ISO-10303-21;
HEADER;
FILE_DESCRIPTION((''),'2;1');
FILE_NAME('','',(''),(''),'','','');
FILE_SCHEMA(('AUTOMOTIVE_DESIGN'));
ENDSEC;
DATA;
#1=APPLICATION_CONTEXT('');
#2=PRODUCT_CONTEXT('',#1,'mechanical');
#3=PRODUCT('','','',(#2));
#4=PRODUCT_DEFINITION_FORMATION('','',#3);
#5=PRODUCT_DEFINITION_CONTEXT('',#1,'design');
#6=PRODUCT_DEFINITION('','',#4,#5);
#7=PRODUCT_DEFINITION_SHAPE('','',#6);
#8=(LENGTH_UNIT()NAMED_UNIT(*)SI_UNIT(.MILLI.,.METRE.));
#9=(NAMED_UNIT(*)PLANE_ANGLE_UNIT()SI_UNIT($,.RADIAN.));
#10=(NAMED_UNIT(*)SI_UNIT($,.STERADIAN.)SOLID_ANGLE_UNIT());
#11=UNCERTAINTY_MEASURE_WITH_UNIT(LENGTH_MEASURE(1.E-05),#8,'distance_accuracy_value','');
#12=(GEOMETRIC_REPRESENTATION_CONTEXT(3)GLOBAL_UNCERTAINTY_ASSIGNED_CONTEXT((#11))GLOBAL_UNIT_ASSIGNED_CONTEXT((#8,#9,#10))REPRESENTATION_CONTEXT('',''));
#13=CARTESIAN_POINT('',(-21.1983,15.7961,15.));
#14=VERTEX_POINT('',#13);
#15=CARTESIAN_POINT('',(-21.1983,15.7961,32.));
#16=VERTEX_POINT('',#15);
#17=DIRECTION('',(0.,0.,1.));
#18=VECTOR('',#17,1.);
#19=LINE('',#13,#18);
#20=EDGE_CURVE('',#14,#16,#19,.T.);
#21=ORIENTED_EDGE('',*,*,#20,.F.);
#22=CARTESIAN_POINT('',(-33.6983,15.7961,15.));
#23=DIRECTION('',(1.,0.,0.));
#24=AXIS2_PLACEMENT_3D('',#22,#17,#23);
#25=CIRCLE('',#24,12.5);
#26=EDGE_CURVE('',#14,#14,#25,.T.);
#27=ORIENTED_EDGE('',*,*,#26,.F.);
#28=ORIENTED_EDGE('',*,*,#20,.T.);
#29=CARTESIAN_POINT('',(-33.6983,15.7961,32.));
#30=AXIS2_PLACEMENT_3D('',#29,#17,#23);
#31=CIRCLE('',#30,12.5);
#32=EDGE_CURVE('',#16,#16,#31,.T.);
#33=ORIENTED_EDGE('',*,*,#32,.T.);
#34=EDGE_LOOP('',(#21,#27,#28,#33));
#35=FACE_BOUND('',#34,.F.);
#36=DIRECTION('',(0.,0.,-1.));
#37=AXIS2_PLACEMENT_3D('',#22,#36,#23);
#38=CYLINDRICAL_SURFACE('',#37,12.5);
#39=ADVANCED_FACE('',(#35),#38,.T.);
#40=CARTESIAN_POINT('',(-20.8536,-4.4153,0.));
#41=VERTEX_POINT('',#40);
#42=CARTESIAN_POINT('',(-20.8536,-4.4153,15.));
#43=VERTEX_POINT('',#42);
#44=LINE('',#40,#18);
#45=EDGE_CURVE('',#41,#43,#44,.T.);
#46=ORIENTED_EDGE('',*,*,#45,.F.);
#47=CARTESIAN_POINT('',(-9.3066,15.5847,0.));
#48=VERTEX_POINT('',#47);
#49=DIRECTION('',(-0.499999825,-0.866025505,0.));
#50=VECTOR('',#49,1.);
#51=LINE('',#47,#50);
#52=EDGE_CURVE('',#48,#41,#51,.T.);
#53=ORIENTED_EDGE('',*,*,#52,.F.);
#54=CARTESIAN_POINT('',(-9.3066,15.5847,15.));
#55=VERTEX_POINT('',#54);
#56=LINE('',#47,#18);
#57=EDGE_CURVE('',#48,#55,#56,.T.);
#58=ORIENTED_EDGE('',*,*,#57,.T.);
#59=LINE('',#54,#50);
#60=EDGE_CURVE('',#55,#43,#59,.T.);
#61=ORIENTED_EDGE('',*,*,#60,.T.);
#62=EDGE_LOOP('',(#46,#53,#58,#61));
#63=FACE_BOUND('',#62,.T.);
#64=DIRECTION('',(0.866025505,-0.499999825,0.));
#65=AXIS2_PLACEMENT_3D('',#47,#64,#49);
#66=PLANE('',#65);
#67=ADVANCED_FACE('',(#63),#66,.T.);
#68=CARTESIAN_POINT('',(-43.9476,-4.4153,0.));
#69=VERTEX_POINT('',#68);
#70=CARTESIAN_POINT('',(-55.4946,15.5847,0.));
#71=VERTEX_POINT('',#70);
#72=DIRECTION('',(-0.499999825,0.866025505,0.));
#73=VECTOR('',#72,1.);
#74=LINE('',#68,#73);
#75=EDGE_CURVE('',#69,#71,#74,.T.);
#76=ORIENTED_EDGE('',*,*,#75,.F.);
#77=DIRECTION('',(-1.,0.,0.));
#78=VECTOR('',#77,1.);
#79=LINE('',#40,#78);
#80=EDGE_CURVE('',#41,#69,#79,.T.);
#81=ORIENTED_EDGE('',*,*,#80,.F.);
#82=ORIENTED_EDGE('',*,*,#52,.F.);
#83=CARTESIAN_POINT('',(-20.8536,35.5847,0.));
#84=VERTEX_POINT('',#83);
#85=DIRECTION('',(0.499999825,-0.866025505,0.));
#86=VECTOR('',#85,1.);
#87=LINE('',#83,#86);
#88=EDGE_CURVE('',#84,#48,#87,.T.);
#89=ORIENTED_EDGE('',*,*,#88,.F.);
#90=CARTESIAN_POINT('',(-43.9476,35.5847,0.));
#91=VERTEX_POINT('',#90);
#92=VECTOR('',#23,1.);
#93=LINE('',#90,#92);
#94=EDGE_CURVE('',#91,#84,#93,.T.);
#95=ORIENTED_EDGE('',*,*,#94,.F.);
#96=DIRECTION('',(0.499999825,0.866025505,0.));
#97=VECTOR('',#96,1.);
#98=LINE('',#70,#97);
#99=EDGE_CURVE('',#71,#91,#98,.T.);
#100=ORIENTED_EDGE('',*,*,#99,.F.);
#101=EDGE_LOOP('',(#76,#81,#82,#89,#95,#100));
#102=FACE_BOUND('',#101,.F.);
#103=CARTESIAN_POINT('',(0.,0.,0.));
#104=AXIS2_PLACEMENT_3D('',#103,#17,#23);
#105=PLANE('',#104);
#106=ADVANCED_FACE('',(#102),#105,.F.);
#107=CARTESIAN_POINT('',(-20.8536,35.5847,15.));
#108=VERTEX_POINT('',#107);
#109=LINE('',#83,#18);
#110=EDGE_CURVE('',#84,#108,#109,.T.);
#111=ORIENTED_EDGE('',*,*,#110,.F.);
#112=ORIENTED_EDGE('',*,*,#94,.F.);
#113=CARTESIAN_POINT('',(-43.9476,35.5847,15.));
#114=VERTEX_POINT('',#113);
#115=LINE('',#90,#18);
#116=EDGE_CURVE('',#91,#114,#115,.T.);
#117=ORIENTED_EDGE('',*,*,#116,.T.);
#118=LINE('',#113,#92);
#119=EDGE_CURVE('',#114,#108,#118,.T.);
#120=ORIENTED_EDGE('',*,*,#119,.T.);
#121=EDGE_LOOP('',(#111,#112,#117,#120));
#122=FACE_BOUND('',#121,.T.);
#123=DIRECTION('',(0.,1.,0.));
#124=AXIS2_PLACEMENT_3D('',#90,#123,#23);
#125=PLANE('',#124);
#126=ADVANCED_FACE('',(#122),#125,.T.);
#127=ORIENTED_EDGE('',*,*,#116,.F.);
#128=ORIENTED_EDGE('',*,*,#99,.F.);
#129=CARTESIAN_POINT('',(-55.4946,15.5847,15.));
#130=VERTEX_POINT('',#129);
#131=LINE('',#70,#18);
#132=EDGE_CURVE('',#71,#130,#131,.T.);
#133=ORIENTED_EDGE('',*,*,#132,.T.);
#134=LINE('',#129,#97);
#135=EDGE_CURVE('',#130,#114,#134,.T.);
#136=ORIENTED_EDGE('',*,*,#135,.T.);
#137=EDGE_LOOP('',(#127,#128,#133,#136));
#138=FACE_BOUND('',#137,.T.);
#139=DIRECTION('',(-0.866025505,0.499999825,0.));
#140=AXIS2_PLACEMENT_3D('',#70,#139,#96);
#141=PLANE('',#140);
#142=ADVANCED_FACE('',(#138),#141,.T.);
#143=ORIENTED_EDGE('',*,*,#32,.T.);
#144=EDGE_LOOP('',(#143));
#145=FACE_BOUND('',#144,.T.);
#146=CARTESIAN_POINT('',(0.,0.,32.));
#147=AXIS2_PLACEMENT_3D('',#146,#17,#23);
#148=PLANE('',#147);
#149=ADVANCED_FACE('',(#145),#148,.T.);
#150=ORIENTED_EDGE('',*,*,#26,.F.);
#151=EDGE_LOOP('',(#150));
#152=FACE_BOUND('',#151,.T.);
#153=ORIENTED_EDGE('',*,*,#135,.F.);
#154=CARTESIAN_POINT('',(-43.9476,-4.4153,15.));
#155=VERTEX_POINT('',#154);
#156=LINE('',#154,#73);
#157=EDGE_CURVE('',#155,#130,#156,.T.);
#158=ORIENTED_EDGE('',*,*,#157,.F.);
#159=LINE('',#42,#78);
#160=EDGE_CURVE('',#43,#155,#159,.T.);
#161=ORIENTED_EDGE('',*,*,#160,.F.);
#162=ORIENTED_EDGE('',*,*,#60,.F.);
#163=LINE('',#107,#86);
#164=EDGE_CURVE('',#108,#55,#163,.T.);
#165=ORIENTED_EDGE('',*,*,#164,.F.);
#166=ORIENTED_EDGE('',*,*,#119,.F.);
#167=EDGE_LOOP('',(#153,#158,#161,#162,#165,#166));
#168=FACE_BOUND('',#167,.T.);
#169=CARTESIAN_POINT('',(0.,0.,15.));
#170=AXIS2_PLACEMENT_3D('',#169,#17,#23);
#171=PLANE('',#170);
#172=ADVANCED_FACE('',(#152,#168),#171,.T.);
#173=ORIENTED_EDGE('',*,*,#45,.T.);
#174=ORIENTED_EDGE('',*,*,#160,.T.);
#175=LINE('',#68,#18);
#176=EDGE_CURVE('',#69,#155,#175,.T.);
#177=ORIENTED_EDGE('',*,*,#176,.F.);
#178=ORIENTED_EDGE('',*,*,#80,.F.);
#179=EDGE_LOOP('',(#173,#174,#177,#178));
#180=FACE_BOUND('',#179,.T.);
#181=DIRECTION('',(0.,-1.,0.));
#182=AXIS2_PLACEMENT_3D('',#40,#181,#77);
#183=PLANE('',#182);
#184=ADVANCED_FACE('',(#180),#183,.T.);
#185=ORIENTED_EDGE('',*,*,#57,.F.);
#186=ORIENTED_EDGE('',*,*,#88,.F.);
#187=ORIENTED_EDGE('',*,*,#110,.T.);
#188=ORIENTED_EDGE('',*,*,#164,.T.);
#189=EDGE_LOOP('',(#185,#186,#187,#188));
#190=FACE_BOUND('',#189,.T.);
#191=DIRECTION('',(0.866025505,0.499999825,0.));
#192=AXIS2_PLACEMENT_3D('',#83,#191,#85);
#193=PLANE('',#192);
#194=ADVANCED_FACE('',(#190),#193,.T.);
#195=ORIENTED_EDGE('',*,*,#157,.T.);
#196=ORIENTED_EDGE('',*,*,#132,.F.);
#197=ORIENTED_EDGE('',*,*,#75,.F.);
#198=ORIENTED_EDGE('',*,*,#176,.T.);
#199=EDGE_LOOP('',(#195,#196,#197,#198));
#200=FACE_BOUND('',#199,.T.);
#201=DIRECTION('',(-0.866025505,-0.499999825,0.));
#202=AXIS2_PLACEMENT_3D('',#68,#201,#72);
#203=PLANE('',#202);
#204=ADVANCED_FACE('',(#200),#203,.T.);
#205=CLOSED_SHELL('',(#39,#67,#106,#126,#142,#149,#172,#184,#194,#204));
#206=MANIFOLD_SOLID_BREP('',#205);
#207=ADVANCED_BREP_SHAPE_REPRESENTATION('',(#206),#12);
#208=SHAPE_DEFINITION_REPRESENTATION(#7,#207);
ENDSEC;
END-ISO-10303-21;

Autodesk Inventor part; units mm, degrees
ref_plane "YZ Plane" through (0, 0, 0) normal (1, 0, 0) x (0, 1, 0)
ref_plane "XZ Plane" through (0, 0, 0) normal (0, 1, 0) x (-1, 0, 0)
ref_plane "XY Plane" through (0, 0, 0) normal (0, 0, 1) x (1, 0, 0)
sketch "Sketch1" plane through (0, 0, 0) normal (0, 0, 1) x (1, 0, 0)
  line L0 (-9.3066, 15.5847) -> (-20.8536, -4.4153)
  line L1 (-20.8536, -4.4153) -> (-43.9476, -4.4153)
  line L2 (-43.9476, -4.4153) -> (-55.4946, 15.5847)
  line L3 (-55.4946, 15.5847) -> (-43.9476, 35.5847)
  line L4 (-43.9476, 35.5847) -> (-20.8536, 35.5847)
  line L5 (-20.8536, 35.5847) -> (-9.3066, 15.5847)
  point P0 (0, 0)
  point P1 (-32.4006, 15.5847)
  dimension "d0" = 20
extrude "Extrusion1" add sketch "Sketch1" along normal blind 15
sketch "Sketch2" plane through (0, 0, 15) normal (0, 0, 1) x (1, 0, 0)
  circle A0 centre (-33.6983, 15.7961) radius 12.5
  point P0 (0, 0)
  dimension "d3" = 25
extrude "Extrusion2" add sketch "Sketch2" along normal blind 17
thread "Thread1" size "M25x2" class "6g" standard "ANSI Metric M Profile" full length
properties part number "db screw 1"
